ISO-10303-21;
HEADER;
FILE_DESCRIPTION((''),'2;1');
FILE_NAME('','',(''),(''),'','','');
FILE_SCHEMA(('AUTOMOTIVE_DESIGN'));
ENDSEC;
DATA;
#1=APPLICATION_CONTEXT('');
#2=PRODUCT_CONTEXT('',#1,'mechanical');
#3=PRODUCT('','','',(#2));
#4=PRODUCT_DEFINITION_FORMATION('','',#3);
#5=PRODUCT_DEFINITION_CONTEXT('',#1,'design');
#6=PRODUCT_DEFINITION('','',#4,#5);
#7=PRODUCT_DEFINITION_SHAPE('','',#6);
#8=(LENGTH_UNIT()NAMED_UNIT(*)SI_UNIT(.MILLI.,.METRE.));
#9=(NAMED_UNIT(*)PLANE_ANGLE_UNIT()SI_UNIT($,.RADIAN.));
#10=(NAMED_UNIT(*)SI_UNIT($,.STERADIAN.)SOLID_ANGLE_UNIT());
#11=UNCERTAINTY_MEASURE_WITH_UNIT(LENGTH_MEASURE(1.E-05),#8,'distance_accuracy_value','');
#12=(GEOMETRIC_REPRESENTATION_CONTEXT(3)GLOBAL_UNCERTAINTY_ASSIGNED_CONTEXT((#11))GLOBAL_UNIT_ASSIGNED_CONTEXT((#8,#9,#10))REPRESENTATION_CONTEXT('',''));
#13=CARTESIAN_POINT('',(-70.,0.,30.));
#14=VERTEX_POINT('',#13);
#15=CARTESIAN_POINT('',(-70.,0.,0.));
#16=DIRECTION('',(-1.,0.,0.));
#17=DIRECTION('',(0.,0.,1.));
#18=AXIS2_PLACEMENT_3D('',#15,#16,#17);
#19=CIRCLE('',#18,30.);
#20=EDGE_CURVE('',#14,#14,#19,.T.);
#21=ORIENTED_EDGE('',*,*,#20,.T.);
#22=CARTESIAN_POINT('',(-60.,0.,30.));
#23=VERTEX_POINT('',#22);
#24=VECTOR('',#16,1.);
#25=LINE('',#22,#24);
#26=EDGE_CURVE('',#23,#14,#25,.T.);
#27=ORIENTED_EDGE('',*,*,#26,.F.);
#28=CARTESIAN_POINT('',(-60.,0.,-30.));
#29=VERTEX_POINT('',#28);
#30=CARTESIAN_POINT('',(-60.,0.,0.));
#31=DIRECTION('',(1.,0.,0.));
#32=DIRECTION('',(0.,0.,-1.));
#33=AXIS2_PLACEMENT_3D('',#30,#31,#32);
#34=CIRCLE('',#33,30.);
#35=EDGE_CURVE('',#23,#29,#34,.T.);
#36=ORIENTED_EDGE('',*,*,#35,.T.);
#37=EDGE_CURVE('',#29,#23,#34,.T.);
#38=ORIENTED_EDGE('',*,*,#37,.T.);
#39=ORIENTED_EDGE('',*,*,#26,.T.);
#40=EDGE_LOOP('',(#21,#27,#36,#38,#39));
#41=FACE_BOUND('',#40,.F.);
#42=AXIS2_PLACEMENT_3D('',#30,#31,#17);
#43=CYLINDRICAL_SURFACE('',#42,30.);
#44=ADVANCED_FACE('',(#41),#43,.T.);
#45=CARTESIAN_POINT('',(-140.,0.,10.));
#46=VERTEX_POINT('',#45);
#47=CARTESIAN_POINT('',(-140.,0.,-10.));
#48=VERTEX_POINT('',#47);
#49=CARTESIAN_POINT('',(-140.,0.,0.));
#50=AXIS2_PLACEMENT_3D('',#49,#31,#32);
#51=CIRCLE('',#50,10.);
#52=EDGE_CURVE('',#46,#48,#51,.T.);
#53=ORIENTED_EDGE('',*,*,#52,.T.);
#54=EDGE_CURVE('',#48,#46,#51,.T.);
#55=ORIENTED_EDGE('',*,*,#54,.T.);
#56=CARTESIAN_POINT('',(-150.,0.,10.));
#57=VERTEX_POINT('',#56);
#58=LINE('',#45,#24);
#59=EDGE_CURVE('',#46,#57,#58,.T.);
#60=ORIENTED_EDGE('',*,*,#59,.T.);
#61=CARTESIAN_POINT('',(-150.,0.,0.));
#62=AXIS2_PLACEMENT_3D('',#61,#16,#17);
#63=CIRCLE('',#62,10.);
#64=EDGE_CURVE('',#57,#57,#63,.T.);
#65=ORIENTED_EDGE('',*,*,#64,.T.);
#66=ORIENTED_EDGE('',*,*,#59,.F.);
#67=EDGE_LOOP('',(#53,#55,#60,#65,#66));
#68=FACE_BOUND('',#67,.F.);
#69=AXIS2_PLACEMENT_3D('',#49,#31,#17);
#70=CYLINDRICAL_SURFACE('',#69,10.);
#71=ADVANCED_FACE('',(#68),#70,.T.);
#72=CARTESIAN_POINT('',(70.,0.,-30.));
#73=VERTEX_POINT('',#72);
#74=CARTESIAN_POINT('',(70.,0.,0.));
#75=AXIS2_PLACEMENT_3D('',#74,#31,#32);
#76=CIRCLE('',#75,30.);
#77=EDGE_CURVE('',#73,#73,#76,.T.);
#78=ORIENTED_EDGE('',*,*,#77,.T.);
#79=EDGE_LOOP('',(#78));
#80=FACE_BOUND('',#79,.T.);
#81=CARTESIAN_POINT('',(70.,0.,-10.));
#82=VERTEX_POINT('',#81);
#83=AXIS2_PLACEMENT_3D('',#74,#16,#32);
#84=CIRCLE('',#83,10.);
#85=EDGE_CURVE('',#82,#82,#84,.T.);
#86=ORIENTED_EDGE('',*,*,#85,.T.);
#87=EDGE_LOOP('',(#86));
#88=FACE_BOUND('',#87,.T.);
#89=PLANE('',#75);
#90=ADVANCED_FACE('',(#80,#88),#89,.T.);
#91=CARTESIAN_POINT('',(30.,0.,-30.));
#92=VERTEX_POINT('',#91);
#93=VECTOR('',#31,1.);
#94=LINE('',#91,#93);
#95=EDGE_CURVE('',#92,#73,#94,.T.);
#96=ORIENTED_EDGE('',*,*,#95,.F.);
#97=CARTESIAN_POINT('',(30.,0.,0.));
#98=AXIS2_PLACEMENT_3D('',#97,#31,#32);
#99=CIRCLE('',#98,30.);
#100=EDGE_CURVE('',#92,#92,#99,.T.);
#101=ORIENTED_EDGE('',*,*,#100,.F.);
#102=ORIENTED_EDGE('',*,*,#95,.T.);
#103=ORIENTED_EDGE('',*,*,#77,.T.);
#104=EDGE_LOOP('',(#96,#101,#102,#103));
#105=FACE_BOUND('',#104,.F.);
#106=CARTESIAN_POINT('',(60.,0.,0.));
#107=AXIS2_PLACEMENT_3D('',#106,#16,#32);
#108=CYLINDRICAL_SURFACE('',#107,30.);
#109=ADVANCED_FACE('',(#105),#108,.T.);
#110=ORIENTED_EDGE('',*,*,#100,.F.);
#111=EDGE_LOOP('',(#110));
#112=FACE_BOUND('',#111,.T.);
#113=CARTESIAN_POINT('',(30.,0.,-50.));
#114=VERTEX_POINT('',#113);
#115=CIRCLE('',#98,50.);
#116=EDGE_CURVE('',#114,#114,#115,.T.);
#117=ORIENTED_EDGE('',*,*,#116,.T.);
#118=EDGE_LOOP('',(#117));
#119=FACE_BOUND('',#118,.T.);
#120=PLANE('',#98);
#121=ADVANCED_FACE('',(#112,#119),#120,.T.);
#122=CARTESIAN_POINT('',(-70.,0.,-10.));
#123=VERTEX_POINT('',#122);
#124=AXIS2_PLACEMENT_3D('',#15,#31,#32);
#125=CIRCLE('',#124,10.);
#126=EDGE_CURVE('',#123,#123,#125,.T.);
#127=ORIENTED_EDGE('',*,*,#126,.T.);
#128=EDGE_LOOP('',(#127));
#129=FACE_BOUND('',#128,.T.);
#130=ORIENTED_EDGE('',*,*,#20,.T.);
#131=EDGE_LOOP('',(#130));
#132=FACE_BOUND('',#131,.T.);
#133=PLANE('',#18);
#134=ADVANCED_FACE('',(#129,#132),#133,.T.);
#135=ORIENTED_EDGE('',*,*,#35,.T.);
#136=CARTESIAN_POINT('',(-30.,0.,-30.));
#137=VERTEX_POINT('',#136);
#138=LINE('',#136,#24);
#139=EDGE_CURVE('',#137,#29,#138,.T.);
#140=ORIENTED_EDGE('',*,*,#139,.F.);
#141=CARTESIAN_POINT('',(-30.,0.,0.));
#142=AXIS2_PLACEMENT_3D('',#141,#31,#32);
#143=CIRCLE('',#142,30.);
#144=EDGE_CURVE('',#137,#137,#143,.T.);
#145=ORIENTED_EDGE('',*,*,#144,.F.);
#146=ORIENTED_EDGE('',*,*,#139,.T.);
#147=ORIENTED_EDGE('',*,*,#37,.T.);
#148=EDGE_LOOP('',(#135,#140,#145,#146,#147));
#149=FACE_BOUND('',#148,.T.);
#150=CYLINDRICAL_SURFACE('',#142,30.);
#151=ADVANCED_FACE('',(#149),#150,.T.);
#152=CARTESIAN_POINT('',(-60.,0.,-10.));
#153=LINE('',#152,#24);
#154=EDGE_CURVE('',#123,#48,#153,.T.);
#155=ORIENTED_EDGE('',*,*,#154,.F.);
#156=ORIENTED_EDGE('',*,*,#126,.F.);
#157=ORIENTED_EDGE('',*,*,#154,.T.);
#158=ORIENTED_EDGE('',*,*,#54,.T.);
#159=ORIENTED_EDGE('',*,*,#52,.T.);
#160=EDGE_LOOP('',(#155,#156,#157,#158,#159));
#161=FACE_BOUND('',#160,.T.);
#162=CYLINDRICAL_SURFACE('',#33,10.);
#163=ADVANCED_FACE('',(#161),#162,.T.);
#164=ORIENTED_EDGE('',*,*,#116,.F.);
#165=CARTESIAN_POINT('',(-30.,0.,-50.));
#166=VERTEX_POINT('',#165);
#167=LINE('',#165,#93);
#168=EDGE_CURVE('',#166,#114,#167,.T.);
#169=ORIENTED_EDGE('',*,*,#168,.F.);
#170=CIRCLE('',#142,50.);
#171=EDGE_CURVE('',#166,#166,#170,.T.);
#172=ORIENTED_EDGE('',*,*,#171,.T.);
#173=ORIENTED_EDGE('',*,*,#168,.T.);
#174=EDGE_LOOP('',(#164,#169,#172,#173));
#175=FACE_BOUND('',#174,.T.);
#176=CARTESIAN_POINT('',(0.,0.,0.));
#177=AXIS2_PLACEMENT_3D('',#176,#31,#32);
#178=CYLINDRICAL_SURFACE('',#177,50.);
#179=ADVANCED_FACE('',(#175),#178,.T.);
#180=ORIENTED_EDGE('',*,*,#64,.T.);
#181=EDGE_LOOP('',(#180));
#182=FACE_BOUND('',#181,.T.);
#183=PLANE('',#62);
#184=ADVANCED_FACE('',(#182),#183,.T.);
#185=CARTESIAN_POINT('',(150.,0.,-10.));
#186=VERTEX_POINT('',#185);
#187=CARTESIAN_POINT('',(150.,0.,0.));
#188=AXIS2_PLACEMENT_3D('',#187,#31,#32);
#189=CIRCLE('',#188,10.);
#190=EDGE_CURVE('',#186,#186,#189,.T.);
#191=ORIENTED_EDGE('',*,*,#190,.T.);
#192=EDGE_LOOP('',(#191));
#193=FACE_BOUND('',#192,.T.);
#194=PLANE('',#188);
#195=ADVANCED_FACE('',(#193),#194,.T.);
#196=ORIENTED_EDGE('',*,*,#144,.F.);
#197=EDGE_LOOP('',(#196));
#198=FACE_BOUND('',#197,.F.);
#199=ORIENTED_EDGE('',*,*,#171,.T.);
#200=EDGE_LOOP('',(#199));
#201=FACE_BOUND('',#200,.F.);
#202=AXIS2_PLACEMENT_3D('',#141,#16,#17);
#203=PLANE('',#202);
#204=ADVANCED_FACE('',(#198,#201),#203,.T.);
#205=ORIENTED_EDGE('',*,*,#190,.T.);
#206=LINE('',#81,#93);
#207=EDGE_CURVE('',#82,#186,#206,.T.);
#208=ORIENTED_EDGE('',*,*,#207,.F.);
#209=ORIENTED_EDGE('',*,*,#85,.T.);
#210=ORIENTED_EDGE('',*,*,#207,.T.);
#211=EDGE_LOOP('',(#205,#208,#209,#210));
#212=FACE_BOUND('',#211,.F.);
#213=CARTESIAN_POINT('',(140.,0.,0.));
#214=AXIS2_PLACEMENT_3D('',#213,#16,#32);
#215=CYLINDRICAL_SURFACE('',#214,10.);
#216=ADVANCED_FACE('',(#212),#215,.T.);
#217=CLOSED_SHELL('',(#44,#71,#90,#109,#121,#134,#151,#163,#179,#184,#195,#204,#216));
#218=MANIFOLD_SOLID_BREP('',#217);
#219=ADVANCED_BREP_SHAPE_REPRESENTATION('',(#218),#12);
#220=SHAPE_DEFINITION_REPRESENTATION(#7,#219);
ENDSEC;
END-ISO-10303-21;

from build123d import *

# Parameters (mm, degrees)
SKETCH1_R           = 50
BOSS_EXTRUDE1_DEPTH = 30
SKETCH2_R           = 30
BOSS_EXTRUDE2_DEPTH = 30
SKETCH3_R           = 10
BOSS_EXTRUDE3_DEPTH = 80
SKETCH7_R           = 30
BOSS_EXTRUDE4_DEPTH = 10
SKETCH8_R           = 10
BOSS_EXTRUDE5_DEPTH = 10
SKETCH9_R           = 30
BOSS_EXTRUDE6_DEPTH = 10
SKETCH10_R          = 10
BOSS_EXTRUDE7_DEPTH = 10


with BuildPart() as part:
    # Sketch1 → Boss-Extrude1 (new body)
    with BuildSketch(Plane(origin=(0, 0, 0), x_dir=(0, 0, -1), z_dir=(1, 0, 0))):
        Circle(SKETCH1_R)
    boss_extrude1 = extrude(amount=BOSS_EXTRUDE1_DEPTH)

    # Sketch2 → Boss-Extrude2 (add)
    with BuildSketch(Plane(origin=(30, 0, 0), x_dir=(0, 0, -1), z_dir=(1, 0, 0))):
        Circle(SKETCH2_R)
    boss_extrude2 = extrude(amount=BOSS_EXTRUDE2_DEPTH)

    # Sketch3 → Boss-Extrude3 (add)
    with BuildSketch(Plane(origin=(60, 0, 0), x_dir=(0, 0, -1), z_dir=(1, 0, 0))):
        Circle(SKETCH3_R)
    boss_extrude3 = extrude(amount=BOSS_EXTRUDE3_DEPTH)

    # Mirror1: Boss-Extrude1, Boss-Extrude2, Boss-Extrude3 across plane
    add(boss_extrude1.mirror(Plane(origin=(0, 0, 0), x_dir=(0, 0, 1), z_dir=(1, 0, 0))))
    add(boss_extrude2.mirror(Plane(origin=(0, 0, 0), x_dir=(0, 0, 1), z_dir=(1, 0, 0))))
    add(boss_extrude3.mirror(Plane(origin=(0, 0, 0), x_dir=(0, 0, 1), z_dir=(1, 0, 0))))

    # Sketch7 → Boss-Extrude4 (add)
    with BuildSketch(Plane.ZY.offset(60)):
        Circle(SKETCH7_R)
    extrude(amount=BOSS_EXTRUDE4_DEPTH)

    # Sketch8 → Boss-Extrude5 (add)
    with BuildSketch(Plane.ZY.offset(140)):
        Circle(SKETCH8_R)
    extrude(amount=BOSS_EXTRUDE5_DEPTH)

    # Sketch9 → Boss-Extrude6 (add)
    with BuildSketch(Plane(origin=(60, 0, 0), x_dir=(0, 0, -1), z_dir=(1, 0, 0))):
        Circle(SKETCH9_R)
    extrude(amount=BOSS_EXTRUDE6_DEPTH)

    # Sketch10 → Boss-Extrude7 (add)
    with BuildSketch(Plane(origin=(140, 0, 0), x_dir=(0, 0, -1), z_dir=(1, 0, 0))):
        Circle(SKETCH10_R)
    extrude(amount=BOSS_EXTRUDE7_DEPTH)


solid = part.part
